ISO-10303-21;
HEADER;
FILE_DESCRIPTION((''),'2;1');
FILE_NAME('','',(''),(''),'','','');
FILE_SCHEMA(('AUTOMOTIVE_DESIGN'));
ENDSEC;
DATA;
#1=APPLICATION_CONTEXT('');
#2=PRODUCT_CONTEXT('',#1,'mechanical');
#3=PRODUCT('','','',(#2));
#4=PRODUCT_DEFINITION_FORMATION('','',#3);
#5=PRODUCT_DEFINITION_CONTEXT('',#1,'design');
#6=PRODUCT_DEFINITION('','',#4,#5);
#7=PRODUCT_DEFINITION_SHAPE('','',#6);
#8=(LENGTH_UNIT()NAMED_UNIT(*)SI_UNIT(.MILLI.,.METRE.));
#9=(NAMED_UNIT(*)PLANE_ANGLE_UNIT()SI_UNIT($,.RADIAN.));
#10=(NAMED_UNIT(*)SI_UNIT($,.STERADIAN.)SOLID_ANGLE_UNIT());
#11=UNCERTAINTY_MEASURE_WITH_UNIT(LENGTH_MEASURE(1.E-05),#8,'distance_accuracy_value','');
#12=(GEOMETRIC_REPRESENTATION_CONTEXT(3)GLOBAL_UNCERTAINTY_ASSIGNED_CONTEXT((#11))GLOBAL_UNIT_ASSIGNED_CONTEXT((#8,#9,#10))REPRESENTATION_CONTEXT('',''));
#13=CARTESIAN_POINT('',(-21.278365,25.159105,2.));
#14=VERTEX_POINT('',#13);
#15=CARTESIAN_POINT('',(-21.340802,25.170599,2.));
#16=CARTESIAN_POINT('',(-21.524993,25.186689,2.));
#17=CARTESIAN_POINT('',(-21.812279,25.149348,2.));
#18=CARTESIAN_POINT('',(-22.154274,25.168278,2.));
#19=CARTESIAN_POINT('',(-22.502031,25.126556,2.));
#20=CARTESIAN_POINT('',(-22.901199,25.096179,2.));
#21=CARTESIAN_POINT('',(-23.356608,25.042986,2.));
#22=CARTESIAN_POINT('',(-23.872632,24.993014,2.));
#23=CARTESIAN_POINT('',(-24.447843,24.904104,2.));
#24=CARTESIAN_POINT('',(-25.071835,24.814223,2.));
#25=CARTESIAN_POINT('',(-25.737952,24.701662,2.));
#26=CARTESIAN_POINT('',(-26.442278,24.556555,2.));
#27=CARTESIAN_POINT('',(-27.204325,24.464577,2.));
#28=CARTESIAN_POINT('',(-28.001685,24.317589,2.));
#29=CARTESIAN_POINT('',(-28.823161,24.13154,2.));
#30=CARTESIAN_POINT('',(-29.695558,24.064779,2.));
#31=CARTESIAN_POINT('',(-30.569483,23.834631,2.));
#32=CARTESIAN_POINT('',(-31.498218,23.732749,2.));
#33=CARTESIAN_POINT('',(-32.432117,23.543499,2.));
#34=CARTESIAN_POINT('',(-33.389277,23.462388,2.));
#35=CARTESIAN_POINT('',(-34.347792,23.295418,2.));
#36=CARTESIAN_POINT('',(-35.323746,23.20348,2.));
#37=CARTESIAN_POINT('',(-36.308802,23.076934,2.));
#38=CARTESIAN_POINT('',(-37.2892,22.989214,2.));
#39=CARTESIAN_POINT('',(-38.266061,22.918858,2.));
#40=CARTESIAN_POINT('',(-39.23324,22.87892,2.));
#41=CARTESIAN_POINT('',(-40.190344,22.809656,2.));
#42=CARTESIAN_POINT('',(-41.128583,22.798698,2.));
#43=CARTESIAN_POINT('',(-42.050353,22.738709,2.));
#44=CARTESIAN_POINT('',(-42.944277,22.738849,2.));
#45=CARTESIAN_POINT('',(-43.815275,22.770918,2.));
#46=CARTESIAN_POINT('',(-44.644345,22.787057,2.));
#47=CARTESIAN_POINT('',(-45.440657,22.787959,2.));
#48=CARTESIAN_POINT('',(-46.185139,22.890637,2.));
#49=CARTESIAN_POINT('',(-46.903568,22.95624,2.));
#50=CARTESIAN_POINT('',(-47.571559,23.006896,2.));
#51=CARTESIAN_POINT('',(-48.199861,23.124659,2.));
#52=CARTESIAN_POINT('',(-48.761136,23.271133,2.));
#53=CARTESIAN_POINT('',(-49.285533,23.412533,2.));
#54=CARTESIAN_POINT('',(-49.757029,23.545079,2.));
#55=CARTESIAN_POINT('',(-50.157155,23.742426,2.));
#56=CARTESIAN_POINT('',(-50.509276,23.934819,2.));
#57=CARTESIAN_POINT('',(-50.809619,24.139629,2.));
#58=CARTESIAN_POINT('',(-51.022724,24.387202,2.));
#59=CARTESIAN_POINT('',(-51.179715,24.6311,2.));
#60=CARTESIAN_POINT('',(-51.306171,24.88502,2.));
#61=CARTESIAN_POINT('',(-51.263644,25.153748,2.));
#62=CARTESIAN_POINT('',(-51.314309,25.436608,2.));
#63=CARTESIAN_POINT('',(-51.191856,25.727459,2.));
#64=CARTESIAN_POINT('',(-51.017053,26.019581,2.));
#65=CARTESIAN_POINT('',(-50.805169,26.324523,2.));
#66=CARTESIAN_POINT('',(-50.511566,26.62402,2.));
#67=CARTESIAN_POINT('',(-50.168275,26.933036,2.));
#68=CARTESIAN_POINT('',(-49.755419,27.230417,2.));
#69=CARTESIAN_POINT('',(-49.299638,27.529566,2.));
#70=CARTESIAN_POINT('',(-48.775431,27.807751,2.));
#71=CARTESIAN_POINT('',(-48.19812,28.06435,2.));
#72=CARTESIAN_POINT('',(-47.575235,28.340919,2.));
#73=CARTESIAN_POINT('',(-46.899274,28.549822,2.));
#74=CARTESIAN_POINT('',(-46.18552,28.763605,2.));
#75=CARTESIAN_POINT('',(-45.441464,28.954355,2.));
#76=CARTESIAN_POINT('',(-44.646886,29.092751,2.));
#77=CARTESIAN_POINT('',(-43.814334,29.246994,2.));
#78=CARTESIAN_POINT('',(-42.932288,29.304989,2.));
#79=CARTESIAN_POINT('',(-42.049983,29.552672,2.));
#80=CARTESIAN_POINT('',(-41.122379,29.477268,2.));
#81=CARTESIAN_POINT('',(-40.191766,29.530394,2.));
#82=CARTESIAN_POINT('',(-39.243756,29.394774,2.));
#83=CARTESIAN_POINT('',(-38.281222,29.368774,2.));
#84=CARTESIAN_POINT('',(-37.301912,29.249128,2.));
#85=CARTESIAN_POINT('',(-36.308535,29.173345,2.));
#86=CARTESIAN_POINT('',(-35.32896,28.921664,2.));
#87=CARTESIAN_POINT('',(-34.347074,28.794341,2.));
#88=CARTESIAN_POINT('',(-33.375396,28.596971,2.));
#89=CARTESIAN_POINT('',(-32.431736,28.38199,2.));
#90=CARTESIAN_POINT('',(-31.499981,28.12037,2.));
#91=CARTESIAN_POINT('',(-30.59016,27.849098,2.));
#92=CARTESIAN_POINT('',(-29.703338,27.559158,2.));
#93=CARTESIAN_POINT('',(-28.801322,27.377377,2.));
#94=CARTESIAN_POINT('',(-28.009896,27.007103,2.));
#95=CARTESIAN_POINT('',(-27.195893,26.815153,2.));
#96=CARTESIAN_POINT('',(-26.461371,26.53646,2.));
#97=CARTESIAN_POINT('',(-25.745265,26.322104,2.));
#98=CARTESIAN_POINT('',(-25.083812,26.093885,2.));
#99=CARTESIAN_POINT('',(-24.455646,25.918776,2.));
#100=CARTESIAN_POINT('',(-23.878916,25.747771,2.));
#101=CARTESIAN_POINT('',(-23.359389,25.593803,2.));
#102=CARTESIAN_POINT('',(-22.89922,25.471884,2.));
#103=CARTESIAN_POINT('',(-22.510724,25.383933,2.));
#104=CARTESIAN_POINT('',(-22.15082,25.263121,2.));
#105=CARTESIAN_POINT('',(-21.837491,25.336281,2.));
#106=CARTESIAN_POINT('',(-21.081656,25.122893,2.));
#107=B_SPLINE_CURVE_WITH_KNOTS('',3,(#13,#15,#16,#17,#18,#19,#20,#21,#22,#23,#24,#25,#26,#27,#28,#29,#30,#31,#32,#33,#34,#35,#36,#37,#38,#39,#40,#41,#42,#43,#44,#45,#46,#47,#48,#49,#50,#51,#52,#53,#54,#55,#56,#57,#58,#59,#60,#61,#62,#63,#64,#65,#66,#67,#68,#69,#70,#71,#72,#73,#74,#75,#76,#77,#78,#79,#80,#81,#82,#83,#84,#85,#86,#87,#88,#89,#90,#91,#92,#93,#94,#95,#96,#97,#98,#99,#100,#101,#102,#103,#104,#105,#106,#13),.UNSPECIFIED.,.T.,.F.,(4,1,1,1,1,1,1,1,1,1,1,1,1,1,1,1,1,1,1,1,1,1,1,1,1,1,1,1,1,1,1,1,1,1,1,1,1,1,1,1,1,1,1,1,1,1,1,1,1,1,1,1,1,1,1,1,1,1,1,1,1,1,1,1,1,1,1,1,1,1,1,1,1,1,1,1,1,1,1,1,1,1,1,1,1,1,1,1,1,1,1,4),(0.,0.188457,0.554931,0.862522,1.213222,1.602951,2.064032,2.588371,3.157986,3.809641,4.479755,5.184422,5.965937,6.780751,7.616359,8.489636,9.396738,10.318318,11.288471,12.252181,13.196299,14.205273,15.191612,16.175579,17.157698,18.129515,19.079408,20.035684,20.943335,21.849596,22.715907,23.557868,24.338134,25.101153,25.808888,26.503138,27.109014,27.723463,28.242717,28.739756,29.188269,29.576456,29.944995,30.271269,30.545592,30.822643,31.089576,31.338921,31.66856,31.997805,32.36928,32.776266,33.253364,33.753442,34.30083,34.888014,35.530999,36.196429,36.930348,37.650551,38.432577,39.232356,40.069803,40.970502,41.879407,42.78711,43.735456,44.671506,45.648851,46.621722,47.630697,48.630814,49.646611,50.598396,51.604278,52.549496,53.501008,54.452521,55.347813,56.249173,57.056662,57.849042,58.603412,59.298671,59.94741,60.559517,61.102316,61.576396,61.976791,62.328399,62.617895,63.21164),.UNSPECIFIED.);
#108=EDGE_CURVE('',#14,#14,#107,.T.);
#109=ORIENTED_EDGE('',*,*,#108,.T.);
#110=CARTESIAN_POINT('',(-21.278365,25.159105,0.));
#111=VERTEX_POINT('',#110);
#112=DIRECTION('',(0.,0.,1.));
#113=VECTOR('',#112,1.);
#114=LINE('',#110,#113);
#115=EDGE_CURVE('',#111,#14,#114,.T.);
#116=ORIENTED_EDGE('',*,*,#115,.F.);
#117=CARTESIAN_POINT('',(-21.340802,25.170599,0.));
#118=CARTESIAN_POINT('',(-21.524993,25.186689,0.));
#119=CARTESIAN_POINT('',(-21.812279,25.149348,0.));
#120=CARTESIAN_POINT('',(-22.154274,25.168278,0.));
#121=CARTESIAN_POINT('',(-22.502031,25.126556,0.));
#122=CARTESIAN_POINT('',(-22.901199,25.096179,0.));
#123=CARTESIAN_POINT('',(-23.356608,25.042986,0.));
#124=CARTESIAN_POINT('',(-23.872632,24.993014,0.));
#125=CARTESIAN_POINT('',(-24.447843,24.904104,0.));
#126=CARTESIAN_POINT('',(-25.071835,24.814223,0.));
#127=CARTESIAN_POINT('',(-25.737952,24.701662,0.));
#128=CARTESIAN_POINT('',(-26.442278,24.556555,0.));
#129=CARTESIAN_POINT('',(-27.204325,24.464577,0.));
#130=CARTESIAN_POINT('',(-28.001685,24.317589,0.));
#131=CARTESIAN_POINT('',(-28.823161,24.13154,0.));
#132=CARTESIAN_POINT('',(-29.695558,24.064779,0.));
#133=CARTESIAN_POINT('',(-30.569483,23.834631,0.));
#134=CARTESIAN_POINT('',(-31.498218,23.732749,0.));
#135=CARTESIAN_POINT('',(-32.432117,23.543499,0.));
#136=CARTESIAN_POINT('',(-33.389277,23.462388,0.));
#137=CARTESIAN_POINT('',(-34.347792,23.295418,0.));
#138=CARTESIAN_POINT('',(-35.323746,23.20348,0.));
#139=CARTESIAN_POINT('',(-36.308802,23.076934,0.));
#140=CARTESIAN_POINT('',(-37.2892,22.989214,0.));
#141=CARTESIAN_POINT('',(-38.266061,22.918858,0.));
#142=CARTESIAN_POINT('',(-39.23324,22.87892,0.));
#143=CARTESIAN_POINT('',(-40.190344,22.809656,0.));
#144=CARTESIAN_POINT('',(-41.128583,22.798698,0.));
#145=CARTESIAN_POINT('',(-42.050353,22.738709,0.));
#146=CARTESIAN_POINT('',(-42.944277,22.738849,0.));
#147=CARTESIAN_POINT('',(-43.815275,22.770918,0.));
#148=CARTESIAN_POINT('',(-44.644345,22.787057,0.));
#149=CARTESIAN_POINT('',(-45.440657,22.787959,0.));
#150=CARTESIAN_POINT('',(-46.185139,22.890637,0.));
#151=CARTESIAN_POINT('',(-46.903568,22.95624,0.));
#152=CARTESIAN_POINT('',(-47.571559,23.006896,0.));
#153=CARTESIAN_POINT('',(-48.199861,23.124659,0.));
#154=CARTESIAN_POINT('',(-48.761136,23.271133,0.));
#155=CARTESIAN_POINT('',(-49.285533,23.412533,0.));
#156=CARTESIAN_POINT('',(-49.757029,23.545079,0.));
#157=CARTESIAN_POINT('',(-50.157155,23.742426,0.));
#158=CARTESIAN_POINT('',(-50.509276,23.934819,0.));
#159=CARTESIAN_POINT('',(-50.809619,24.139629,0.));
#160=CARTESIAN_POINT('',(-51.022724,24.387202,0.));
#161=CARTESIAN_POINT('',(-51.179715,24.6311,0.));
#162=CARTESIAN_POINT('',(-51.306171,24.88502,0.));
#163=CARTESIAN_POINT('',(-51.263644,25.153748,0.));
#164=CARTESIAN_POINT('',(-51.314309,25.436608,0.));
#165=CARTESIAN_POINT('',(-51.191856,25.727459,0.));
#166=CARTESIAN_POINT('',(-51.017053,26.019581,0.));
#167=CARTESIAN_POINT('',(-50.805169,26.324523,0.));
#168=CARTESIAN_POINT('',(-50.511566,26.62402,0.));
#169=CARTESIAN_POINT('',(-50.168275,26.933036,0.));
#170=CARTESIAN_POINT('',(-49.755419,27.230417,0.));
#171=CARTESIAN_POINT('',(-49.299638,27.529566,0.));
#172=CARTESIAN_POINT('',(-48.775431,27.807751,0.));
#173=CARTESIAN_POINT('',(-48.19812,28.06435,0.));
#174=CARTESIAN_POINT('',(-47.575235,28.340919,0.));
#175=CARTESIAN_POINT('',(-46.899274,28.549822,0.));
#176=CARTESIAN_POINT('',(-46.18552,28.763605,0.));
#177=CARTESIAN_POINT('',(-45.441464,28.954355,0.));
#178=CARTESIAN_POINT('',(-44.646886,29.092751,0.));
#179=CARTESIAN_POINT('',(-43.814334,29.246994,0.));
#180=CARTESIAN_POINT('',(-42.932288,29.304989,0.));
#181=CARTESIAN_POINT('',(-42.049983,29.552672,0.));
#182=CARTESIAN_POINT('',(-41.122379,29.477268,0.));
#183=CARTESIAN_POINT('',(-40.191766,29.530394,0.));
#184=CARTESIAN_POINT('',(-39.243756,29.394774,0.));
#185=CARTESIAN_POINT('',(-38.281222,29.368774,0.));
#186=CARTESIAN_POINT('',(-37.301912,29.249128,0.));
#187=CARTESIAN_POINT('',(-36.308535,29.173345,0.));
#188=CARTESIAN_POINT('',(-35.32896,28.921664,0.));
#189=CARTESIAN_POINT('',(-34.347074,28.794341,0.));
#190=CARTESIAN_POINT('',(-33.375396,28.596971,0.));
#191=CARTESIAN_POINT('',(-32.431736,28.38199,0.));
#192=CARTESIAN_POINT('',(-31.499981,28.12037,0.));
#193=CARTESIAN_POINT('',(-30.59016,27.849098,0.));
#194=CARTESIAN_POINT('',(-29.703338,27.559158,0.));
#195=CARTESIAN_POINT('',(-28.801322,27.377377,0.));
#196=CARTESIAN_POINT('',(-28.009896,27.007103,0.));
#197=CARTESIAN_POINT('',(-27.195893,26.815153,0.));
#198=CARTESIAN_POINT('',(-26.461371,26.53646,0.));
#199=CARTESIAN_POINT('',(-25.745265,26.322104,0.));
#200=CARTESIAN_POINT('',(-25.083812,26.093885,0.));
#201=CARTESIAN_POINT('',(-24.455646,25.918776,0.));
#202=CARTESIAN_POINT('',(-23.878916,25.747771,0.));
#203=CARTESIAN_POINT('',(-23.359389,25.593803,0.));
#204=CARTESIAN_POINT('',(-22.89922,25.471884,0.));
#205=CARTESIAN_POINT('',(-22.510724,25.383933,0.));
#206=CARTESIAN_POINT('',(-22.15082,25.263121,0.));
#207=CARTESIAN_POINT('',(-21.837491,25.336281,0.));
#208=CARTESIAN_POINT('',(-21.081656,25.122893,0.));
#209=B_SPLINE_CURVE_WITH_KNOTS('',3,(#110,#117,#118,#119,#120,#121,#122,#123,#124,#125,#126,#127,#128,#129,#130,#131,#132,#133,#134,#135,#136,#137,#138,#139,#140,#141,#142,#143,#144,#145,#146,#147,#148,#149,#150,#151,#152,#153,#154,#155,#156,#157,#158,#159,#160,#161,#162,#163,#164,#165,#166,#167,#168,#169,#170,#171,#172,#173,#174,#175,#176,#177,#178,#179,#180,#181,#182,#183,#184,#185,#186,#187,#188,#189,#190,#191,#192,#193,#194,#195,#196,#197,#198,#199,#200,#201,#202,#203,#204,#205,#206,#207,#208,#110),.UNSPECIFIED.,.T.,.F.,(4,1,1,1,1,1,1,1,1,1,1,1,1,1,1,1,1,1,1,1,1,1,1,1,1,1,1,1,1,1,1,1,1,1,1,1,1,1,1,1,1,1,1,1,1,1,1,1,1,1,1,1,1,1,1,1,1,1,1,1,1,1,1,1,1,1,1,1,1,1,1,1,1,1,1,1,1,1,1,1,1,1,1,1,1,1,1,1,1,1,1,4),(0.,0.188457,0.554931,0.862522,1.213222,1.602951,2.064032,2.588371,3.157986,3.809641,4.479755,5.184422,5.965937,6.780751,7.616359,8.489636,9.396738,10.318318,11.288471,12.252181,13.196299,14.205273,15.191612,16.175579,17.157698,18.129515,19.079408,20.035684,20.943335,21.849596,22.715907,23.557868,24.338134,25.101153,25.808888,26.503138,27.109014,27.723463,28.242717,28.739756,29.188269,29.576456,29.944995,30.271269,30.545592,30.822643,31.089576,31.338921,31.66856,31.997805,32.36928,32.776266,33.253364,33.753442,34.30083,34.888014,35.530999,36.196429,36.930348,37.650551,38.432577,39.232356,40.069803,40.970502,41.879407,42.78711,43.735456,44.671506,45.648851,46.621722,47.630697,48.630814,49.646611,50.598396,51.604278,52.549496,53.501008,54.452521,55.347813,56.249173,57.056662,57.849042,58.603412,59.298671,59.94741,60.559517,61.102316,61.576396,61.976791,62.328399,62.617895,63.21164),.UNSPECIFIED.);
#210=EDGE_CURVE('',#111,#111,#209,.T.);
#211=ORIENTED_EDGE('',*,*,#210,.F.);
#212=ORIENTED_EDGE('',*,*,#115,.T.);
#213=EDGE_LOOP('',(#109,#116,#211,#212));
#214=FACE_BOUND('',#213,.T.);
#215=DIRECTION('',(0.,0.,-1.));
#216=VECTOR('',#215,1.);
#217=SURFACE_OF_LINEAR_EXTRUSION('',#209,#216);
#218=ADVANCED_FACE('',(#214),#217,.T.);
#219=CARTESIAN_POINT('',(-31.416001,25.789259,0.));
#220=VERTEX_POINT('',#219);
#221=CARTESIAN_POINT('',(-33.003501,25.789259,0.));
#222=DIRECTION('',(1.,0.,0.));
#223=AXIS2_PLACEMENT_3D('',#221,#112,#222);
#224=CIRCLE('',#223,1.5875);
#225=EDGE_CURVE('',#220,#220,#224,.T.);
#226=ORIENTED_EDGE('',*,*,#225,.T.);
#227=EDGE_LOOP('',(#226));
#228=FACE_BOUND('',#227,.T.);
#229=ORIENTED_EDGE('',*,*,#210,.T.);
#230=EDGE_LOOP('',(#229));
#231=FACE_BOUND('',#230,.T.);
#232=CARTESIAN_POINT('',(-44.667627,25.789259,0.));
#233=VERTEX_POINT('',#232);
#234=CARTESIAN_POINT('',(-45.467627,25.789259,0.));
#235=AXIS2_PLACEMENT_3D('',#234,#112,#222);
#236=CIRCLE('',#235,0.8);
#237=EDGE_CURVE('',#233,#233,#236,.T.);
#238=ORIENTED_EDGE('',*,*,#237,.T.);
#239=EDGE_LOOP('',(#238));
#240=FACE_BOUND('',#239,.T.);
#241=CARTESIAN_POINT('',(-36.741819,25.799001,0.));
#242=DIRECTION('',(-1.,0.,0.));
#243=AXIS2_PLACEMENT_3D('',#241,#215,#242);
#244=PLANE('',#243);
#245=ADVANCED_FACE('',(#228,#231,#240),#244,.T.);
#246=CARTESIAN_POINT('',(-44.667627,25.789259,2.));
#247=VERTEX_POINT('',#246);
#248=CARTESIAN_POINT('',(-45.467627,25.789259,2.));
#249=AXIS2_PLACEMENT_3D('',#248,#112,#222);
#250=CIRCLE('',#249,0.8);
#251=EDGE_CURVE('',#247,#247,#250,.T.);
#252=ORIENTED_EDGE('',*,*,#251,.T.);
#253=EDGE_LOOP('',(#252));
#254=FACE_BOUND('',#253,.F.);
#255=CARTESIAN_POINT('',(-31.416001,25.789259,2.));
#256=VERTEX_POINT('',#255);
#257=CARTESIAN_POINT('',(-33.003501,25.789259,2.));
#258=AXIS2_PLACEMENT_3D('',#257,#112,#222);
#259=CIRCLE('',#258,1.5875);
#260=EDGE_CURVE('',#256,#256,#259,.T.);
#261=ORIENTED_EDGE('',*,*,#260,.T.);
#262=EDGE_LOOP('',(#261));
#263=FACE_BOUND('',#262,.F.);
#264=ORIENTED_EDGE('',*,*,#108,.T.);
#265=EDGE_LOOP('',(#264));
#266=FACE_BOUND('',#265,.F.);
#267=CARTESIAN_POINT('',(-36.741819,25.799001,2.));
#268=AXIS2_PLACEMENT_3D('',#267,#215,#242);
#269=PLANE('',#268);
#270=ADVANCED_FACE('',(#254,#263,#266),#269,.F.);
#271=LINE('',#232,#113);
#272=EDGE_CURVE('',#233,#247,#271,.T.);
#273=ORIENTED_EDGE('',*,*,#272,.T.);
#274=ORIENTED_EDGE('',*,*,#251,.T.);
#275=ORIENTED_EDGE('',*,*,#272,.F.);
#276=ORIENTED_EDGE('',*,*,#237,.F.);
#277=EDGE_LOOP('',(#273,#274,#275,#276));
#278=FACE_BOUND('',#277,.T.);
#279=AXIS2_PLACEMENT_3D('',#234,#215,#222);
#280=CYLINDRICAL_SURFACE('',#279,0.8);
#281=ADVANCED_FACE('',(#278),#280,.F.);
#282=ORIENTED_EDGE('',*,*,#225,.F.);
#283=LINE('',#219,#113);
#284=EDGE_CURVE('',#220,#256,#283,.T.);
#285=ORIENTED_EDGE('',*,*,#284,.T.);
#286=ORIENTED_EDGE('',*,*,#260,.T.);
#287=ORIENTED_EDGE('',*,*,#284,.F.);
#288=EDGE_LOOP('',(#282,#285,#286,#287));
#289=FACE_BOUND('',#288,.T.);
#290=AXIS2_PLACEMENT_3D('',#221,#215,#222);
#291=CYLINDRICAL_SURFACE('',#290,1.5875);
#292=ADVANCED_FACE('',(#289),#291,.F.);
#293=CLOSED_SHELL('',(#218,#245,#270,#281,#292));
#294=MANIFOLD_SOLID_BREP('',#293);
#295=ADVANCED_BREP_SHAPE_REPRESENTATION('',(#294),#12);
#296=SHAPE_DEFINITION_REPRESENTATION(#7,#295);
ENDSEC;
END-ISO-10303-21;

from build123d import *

# Parameters (mm, degrees)
F0_R     = 0.8
F0_R_2   = 1.5875
F1_DEPTH = 2


with BuildPart() as f1:
    # F0 (on Top) → F1 (new body)
    with BuildSketch(Plane.XY):
        with BuildLine():
            add(Edge.make_bspline(
                [(-21.278365, 25.159105), (-21.340802, 25.170599), (-21.524993, 25.186689), (-21.812279, 25.149348), (-22.154274, 25.168278), (-22.502031, 25.126556), (-22.901199, 25.096179), (-23.356608, 25.042986), (-23.872632, 24.993014), (-24.447843, 24.904104), (-25.071835, 24.814223), (-25.737952, 24.701662), (-26.442278, 24.556555), (-27.204325, 24.464577), (-28.001685, 24.317589), (-28.823161, 24.13154), (-29.695558, 24.064779), (-30.569483, 23.834631), (-31.498218, 23.732749), (-32.432117, 23.543499), (-33.389277, 23.462388), (-34.347792, 23.295418), (-35.323746, 23.20348), (-36.308802, 23.076934), (-37.2892, 22.989214), (-38.266061, 22.918858), (-39.23324, 22.87892), (-40.190344, 22.809656), (-41.128583, 22.798698), (-42.050353, 22.738709), (-42.944277, 22.738849), (-43.815275, 22.770918), (-44.644345, 22.787057), (-45.440657, 22.787959), (-46.185139, 22.890637), (-46.903568, 22.95624), (-47.571559, 23.006896), (-48.199861, 23.124659), (-48.761136, 23.271133), (-49.285533, 23.412533), (-49.757029, 23.545079), (-50.157155, 23.742426), (-50.509276, 23.934819), (-50.809619, 24.139629), (-51.022724, 24.387202), (-51.179715, 24.6311), (-51.306171, 24.88502), (-51.263644, 25.153748), (-51.314309, 25.436608), (-51.191856, 25.727459), (-51.017053, 26.019581), (-50.805169, 26.324523), (-50.511566, 26.62402), (-50.168275, 26.933036), (-49.755419, 27.230417), (-49.299638, 27.529566), (-48.775431, 27.807751), (-48.19812, 28.06435), (-47.575235, 28.340919), (-46.899274, 28.549822), (-46.18552, 28.763605), (-45.441464, 28.954355), (-44.646886, 29.092751), (-43.814334, 29.246994), (-42.932288, 29.304989), (-42.049983, 29.552672), (-41.122379, 29.477268), (-40.191766, 29.530394), (-39.243756, 29.394774), (-38.281222, 29.368774), (-37.301912, 29.249128), (-36.308535, 29.173345), (-35.32896, 28.921664), (-34.347074, 28.794341), (-33.375396, 28.596971), (-32.431736, 28.38199), (-31.499981, 28.12037), (-30.59016, 27.849098), (-29.703338, 27.559158), (-28.801322, 27.377377), (-28.009896, 27.007103), (-27.195893, 26.815153), (-26.461371, 26.53646), (-25.745265, 26.322104), (-25.083812, 26.093885), (-24.455646, 25.918776), (-23.878916, 25.747771), (-23.359389, 25.593803), (-22.89922, 25.471884), (-22.510724, 25.383933), (-22.15082, 25.263121), (-21.837491, 25.336281), (-21.081656, 25.122893), (-21.278365, 25.159105)],
                knots=[0, 0, 0, 0, 0.188457, 0.554931, 0.862522, 1.213222, 1.602951, 2.064032, 2.588371, 3.157986, 3.809641, 4.479755, 5.184422, 5.965937, 6.780751, 7.616359, 8.489636, 9.396738, 10.318318, 11.288471, 12.252181, 13.196299, 14.205273, 15.191612, 16.175579, 17.157698, 18.129515, 19.079408, 20.035684, 20.943335, 21.849596, 22.715907, 23.557868, 24.338134, 25.101153, 25.808888, 26.503138, 27.109014, 27.723463, 28.242717, 28.739756, 29.188269, 29.576456, 29.944995, 30.271269, 30.545592, 30.822643, 31.089576, 31.338921, 31.66856, 31.997805, 32.36928, 32.776266, 33.253364, 33.753442, 34.30083, 34.888014, 35.530999, 36.196429, 36.930348, 37.650551, 38.432577, 39.232356, 40.069803, 40.970502, 41.879407, 42.78711, 43.735456, 44.671506, 45.648851, 46.621722, 47.630697, 48.630814, 49.646611, 50.598396, 51.604278, 52.549496, 53.501008, 54.452521, 55.347813, 56.249173, 57.056662, 57.849042, 58.603412, 59.298671, 59.94741, 60.559517, 61.102316, 61.576396, 61.976791, 62.328399, 62.617895, 63.21164, 63.21164, 63.21164, 63.21164], degree=3))
        make_face()
        with Locations((-45.467627, 25.789259)):
            Circle(F0_R, mode=Mode.SUBTRACT)
        with Locations((-33.003501, 25.789259)):
            Circle(F0_R_2, mode=Mode.SUBTRACT)
    extrude(amount=F1_DEPTH)


solid = f1.part
